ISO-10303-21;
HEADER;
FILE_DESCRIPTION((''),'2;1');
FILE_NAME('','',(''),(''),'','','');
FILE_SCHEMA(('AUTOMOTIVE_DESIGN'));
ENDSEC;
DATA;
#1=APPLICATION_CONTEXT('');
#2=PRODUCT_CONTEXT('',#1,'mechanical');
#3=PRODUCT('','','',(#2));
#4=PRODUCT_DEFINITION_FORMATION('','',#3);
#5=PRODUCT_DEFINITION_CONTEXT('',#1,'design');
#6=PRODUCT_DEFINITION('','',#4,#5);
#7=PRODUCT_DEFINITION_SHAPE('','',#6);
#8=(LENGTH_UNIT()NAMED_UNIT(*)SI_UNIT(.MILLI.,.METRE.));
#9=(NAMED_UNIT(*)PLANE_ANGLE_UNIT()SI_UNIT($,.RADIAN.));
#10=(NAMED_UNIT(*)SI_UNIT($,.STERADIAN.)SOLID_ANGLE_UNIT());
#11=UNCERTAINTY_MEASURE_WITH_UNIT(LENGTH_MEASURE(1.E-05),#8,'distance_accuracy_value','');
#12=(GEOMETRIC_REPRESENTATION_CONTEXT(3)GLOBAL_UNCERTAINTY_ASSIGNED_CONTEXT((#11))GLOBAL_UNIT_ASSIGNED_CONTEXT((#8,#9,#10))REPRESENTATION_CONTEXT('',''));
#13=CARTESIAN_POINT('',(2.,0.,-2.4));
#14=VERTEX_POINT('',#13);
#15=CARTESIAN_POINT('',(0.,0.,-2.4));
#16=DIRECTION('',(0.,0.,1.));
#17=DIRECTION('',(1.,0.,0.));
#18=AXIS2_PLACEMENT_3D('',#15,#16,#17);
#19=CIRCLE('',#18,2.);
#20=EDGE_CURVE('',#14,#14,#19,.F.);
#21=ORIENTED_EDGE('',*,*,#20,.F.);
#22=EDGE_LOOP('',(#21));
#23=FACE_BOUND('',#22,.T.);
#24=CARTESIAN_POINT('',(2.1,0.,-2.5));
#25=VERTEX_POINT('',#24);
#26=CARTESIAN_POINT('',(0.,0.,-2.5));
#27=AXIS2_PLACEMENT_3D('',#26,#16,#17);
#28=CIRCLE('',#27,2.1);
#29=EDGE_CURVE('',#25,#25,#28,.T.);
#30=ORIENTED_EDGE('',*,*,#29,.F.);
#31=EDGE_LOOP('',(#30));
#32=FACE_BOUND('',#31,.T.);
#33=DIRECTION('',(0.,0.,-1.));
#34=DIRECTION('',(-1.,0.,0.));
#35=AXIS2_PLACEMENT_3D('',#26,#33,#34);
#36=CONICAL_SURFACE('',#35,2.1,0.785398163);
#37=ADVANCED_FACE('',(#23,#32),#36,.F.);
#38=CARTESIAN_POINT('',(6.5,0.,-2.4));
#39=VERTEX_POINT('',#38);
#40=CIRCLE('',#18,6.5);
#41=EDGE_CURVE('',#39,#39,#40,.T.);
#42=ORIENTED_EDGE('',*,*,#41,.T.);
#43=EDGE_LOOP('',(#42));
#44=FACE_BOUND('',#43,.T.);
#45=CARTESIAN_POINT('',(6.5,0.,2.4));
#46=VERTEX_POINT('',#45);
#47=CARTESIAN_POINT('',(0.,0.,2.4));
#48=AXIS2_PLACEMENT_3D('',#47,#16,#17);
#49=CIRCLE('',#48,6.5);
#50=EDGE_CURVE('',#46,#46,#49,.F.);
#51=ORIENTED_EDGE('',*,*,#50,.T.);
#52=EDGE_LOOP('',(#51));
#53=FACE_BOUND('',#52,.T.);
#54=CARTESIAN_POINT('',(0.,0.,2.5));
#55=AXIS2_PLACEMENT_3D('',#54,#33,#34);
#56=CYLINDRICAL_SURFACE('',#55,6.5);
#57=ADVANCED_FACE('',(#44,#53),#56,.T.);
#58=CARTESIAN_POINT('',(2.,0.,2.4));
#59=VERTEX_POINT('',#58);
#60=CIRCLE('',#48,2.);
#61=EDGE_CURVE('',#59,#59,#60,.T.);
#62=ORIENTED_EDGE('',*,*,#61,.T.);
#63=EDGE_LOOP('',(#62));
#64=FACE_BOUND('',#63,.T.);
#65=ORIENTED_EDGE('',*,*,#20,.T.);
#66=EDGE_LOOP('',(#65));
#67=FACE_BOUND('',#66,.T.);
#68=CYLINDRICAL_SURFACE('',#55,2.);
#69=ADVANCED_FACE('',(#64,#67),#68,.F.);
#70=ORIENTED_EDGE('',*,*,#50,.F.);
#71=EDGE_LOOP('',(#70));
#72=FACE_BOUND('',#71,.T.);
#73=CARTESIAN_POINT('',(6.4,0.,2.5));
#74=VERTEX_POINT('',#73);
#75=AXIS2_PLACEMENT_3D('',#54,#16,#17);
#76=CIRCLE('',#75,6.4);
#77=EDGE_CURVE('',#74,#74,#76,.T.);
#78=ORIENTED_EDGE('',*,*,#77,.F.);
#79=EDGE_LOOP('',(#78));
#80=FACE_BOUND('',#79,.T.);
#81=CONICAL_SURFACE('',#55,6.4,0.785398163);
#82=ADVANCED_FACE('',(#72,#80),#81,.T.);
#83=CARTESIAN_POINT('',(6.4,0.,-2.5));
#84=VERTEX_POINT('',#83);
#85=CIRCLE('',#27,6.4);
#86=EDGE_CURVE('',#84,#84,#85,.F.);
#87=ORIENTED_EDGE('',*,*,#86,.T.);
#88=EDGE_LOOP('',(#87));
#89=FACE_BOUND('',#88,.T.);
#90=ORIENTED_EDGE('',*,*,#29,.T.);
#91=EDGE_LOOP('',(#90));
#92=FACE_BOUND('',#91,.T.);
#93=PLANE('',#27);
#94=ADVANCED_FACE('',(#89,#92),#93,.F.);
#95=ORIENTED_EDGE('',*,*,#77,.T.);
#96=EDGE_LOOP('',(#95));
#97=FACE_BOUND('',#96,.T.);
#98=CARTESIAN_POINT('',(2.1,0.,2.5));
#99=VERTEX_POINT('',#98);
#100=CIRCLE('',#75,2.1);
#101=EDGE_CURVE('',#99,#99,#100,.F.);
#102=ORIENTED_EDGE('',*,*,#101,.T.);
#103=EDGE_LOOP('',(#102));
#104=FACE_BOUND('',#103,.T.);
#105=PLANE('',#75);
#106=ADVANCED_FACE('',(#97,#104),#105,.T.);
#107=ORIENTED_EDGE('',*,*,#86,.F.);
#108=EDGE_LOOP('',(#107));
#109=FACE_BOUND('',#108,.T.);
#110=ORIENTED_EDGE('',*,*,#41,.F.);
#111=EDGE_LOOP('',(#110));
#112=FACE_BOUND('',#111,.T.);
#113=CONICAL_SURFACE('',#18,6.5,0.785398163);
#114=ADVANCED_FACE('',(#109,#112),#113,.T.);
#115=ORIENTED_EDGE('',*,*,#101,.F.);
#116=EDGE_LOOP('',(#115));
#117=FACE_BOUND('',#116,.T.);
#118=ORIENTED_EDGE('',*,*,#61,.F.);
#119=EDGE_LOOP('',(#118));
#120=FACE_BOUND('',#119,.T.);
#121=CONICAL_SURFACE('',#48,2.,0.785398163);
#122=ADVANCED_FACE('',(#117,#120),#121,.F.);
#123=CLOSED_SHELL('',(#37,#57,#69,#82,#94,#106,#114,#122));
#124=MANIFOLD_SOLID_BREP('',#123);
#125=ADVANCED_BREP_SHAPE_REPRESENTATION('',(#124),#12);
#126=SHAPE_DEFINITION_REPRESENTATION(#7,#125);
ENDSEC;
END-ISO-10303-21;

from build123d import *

# Parameters (mm, degrees)
SKETCH_1_R      = 6.5
SKETCH_1_R_2    = 2
EXTRUDE_1_DEPTH = 2.5
CHAMFER_1_SIZE  = 0.1


with BuildPart() as part:
    # 草图1 → 凸台-拉伸1 (new body, symmetric)
    with BuildSketch(Plane.XY):
        Circle(SKETCH_1_R)
        Circle(SKETCH_1_R_2, mode=Mode.SUBTRACT)
    extrude(amount=EXTRUDE_1_DEPTH, both=True)

    # 倒角1
    chamfer_1_edges = [part.edges().sort_by_distance(p)[0] for p in [
        (-6.5, 0, -2.5),
        (-6.5, 0, 2.5),
        (-2, 0, -2.5),
        (-2, 0, 2.5),
    ]]
    chamfer(chamfer_1_edges, length=CHAMFER_1_SIZE)


solid = part.part
